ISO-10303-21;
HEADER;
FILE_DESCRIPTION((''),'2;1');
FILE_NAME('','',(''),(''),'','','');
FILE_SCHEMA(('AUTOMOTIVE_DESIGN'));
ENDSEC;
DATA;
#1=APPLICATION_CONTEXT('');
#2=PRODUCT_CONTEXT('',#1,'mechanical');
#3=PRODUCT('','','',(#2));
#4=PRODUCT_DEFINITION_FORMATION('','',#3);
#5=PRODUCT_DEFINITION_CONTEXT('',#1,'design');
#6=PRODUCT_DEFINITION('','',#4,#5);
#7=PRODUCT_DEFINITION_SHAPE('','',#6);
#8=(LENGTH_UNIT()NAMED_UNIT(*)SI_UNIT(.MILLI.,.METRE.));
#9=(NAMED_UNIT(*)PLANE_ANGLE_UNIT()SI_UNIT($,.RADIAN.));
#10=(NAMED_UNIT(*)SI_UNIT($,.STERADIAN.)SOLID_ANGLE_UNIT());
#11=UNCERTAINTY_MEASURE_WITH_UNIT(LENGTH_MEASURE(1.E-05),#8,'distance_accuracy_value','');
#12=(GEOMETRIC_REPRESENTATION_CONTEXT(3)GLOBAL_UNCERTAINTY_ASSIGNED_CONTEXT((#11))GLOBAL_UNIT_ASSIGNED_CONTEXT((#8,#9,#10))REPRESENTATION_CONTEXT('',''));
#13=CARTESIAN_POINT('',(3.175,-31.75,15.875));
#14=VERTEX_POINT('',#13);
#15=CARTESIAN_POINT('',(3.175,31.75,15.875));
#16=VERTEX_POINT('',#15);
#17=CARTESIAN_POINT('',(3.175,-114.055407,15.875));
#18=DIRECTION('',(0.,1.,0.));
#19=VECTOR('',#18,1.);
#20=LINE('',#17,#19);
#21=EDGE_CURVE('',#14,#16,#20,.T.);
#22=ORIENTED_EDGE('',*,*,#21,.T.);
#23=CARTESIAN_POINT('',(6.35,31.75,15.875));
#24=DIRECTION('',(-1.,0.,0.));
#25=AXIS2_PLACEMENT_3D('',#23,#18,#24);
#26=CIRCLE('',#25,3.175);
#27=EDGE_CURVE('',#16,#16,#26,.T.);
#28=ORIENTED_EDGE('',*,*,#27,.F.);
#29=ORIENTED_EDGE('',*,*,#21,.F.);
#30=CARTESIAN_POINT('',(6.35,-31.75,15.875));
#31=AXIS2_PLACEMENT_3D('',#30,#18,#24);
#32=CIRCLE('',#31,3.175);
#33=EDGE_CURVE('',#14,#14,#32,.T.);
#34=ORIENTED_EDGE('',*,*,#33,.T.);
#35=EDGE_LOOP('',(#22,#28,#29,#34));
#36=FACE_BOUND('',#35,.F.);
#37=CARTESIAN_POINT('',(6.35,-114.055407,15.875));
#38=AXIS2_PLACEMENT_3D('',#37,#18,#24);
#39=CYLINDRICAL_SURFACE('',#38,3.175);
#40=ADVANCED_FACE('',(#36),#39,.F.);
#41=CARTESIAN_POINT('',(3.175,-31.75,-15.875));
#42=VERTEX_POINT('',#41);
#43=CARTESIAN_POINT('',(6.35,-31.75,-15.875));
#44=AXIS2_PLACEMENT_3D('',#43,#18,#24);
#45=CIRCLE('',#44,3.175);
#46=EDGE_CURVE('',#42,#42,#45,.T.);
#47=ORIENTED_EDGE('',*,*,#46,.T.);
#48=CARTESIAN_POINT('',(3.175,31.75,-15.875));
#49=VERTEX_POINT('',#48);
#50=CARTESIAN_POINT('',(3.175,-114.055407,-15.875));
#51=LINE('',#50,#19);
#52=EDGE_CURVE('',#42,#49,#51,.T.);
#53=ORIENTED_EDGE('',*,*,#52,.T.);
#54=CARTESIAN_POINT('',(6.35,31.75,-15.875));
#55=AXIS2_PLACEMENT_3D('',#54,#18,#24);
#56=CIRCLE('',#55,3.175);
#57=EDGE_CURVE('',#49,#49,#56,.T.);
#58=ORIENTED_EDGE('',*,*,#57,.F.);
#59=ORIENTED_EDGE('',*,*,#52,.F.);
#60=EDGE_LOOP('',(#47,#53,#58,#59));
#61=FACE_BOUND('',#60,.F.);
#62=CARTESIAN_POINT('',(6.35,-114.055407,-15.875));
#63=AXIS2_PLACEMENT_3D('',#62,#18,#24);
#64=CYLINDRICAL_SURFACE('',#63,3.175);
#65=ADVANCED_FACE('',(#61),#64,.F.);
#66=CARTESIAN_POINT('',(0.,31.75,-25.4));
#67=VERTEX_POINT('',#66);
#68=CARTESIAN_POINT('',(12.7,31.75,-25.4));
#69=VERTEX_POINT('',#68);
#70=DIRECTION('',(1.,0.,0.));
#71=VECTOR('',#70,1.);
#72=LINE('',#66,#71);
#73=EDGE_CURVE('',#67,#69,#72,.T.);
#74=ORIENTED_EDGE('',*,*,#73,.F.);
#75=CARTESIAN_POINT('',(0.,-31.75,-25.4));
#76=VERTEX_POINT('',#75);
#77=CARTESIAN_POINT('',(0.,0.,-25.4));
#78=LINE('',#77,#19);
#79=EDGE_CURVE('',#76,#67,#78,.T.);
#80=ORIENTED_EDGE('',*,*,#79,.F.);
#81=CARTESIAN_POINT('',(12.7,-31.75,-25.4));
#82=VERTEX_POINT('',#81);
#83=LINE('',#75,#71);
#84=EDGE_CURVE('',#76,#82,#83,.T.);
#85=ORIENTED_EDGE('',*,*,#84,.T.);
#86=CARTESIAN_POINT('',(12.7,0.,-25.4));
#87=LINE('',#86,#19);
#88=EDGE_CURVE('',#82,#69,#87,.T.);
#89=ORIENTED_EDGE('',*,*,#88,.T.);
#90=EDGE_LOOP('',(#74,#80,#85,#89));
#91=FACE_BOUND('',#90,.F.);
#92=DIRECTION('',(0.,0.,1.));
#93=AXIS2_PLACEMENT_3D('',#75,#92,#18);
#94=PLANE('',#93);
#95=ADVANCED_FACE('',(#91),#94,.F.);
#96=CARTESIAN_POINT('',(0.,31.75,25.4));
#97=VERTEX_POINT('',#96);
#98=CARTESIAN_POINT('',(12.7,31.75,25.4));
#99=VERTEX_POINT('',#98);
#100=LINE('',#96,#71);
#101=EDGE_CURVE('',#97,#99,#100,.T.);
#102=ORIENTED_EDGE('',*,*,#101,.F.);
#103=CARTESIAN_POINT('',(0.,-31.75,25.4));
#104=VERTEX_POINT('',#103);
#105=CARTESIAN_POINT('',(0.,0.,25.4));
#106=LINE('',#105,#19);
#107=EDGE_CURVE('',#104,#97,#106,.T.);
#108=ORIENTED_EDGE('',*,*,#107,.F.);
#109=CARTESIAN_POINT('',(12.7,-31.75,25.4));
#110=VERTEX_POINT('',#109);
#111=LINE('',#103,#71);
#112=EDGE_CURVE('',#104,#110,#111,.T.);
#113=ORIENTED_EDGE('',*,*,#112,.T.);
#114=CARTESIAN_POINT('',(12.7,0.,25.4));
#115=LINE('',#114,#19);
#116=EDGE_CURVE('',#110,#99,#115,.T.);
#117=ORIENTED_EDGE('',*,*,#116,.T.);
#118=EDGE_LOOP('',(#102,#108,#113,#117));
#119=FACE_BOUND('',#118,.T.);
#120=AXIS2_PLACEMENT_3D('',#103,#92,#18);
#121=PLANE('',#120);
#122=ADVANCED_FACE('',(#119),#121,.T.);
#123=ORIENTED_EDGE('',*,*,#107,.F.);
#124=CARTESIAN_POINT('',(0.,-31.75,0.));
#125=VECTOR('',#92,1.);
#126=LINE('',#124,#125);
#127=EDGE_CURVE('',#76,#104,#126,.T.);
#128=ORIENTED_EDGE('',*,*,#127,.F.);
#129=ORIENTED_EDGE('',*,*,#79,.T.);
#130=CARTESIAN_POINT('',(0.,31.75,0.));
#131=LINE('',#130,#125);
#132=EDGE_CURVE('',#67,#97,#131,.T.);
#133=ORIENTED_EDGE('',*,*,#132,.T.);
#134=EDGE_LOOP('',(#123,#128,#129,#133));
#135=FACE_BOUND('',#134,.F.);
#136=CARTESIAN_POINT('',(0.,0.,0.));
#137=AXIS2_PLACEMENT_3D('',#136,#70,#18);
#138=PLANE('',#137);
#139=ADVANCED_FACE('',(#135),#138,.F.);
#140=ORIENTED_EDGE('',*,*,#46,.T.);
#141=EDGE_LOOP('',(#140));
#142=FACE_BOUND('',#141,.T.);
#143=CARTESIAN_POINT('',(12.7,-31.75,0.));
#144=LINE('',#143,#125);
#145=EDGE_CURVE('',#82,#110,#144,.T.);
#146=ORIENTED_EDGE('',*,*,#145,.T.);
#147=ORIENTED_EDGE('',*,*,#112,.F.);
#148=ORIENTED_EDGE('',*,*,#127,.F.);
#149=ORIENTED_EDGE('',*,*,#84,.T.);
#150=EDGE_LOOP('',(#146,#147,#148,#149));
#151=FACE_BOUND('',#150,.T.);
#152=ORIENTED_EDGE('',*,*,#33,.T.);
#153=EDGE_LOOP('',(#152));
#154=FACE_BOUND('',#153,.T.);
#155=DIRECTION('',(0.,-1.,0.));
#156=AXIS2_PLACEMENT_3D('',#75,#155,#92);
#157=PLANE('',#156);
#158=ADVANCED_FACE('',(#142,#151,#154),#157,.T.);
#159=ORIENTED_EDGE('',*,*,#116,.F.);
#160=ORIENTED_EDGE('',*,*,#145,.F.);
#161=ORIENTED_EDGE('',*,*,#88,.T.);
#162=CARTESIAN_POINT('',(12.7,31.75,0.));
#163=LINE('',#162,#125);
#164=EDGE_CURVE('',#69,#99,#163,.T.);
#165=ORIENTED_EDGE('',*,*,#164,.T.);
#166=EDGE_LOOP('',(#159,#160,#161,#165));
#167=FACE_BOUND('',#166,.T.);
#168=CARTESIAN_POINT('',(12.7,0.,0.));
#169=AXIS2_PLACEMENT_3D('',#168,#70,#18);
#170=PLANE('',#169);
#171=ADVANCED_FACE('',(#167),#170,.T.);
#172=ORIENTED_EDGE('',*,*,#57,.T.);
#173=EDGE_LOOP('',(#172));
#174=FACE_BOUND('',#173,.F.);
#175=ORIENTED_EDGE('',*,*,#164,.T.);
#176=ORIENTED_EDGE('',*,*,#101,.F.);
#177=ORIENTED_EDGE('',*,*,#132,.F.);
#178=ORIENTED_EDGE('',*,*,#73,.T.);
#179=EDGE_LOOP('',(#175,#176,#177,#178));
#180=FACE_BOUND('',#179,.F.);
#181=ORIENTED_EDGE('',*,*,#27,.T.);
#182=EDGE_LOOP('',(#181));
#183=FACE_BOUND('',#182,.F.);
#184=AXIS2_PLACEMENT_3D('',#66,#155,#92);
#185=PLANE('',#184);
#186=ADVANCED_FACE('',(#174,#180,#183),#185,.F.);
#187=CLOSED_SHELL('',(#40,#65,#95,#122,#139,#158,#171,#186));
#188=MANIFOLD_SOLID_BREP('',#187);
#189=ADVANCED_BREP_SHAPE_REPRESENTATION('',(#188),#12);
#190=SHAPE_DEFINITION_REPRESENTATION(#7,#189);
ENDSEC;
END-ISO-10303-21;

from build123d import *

# Parameters (mm, degrees)
F0_W     = 63.5
F0_H     = 50.8
F1_DEPTH = 12.7
F3_D     = 6.35


with BuildPart() as f1:
    # F0 (on Right) → F1 (new body)
    with BuildSketch(Plane.YZ):
        Rectangle(F0_W, F0_H)
    extrude(amount=F1_DEPTH)

    # F3 (through all)
    with Locations(Plane.XZ.offset(31.75)):
        with Locations((6.35, 15.875), (6.35, -15.875)):
            Hole(F3_D / 2)


solid = f1.part
